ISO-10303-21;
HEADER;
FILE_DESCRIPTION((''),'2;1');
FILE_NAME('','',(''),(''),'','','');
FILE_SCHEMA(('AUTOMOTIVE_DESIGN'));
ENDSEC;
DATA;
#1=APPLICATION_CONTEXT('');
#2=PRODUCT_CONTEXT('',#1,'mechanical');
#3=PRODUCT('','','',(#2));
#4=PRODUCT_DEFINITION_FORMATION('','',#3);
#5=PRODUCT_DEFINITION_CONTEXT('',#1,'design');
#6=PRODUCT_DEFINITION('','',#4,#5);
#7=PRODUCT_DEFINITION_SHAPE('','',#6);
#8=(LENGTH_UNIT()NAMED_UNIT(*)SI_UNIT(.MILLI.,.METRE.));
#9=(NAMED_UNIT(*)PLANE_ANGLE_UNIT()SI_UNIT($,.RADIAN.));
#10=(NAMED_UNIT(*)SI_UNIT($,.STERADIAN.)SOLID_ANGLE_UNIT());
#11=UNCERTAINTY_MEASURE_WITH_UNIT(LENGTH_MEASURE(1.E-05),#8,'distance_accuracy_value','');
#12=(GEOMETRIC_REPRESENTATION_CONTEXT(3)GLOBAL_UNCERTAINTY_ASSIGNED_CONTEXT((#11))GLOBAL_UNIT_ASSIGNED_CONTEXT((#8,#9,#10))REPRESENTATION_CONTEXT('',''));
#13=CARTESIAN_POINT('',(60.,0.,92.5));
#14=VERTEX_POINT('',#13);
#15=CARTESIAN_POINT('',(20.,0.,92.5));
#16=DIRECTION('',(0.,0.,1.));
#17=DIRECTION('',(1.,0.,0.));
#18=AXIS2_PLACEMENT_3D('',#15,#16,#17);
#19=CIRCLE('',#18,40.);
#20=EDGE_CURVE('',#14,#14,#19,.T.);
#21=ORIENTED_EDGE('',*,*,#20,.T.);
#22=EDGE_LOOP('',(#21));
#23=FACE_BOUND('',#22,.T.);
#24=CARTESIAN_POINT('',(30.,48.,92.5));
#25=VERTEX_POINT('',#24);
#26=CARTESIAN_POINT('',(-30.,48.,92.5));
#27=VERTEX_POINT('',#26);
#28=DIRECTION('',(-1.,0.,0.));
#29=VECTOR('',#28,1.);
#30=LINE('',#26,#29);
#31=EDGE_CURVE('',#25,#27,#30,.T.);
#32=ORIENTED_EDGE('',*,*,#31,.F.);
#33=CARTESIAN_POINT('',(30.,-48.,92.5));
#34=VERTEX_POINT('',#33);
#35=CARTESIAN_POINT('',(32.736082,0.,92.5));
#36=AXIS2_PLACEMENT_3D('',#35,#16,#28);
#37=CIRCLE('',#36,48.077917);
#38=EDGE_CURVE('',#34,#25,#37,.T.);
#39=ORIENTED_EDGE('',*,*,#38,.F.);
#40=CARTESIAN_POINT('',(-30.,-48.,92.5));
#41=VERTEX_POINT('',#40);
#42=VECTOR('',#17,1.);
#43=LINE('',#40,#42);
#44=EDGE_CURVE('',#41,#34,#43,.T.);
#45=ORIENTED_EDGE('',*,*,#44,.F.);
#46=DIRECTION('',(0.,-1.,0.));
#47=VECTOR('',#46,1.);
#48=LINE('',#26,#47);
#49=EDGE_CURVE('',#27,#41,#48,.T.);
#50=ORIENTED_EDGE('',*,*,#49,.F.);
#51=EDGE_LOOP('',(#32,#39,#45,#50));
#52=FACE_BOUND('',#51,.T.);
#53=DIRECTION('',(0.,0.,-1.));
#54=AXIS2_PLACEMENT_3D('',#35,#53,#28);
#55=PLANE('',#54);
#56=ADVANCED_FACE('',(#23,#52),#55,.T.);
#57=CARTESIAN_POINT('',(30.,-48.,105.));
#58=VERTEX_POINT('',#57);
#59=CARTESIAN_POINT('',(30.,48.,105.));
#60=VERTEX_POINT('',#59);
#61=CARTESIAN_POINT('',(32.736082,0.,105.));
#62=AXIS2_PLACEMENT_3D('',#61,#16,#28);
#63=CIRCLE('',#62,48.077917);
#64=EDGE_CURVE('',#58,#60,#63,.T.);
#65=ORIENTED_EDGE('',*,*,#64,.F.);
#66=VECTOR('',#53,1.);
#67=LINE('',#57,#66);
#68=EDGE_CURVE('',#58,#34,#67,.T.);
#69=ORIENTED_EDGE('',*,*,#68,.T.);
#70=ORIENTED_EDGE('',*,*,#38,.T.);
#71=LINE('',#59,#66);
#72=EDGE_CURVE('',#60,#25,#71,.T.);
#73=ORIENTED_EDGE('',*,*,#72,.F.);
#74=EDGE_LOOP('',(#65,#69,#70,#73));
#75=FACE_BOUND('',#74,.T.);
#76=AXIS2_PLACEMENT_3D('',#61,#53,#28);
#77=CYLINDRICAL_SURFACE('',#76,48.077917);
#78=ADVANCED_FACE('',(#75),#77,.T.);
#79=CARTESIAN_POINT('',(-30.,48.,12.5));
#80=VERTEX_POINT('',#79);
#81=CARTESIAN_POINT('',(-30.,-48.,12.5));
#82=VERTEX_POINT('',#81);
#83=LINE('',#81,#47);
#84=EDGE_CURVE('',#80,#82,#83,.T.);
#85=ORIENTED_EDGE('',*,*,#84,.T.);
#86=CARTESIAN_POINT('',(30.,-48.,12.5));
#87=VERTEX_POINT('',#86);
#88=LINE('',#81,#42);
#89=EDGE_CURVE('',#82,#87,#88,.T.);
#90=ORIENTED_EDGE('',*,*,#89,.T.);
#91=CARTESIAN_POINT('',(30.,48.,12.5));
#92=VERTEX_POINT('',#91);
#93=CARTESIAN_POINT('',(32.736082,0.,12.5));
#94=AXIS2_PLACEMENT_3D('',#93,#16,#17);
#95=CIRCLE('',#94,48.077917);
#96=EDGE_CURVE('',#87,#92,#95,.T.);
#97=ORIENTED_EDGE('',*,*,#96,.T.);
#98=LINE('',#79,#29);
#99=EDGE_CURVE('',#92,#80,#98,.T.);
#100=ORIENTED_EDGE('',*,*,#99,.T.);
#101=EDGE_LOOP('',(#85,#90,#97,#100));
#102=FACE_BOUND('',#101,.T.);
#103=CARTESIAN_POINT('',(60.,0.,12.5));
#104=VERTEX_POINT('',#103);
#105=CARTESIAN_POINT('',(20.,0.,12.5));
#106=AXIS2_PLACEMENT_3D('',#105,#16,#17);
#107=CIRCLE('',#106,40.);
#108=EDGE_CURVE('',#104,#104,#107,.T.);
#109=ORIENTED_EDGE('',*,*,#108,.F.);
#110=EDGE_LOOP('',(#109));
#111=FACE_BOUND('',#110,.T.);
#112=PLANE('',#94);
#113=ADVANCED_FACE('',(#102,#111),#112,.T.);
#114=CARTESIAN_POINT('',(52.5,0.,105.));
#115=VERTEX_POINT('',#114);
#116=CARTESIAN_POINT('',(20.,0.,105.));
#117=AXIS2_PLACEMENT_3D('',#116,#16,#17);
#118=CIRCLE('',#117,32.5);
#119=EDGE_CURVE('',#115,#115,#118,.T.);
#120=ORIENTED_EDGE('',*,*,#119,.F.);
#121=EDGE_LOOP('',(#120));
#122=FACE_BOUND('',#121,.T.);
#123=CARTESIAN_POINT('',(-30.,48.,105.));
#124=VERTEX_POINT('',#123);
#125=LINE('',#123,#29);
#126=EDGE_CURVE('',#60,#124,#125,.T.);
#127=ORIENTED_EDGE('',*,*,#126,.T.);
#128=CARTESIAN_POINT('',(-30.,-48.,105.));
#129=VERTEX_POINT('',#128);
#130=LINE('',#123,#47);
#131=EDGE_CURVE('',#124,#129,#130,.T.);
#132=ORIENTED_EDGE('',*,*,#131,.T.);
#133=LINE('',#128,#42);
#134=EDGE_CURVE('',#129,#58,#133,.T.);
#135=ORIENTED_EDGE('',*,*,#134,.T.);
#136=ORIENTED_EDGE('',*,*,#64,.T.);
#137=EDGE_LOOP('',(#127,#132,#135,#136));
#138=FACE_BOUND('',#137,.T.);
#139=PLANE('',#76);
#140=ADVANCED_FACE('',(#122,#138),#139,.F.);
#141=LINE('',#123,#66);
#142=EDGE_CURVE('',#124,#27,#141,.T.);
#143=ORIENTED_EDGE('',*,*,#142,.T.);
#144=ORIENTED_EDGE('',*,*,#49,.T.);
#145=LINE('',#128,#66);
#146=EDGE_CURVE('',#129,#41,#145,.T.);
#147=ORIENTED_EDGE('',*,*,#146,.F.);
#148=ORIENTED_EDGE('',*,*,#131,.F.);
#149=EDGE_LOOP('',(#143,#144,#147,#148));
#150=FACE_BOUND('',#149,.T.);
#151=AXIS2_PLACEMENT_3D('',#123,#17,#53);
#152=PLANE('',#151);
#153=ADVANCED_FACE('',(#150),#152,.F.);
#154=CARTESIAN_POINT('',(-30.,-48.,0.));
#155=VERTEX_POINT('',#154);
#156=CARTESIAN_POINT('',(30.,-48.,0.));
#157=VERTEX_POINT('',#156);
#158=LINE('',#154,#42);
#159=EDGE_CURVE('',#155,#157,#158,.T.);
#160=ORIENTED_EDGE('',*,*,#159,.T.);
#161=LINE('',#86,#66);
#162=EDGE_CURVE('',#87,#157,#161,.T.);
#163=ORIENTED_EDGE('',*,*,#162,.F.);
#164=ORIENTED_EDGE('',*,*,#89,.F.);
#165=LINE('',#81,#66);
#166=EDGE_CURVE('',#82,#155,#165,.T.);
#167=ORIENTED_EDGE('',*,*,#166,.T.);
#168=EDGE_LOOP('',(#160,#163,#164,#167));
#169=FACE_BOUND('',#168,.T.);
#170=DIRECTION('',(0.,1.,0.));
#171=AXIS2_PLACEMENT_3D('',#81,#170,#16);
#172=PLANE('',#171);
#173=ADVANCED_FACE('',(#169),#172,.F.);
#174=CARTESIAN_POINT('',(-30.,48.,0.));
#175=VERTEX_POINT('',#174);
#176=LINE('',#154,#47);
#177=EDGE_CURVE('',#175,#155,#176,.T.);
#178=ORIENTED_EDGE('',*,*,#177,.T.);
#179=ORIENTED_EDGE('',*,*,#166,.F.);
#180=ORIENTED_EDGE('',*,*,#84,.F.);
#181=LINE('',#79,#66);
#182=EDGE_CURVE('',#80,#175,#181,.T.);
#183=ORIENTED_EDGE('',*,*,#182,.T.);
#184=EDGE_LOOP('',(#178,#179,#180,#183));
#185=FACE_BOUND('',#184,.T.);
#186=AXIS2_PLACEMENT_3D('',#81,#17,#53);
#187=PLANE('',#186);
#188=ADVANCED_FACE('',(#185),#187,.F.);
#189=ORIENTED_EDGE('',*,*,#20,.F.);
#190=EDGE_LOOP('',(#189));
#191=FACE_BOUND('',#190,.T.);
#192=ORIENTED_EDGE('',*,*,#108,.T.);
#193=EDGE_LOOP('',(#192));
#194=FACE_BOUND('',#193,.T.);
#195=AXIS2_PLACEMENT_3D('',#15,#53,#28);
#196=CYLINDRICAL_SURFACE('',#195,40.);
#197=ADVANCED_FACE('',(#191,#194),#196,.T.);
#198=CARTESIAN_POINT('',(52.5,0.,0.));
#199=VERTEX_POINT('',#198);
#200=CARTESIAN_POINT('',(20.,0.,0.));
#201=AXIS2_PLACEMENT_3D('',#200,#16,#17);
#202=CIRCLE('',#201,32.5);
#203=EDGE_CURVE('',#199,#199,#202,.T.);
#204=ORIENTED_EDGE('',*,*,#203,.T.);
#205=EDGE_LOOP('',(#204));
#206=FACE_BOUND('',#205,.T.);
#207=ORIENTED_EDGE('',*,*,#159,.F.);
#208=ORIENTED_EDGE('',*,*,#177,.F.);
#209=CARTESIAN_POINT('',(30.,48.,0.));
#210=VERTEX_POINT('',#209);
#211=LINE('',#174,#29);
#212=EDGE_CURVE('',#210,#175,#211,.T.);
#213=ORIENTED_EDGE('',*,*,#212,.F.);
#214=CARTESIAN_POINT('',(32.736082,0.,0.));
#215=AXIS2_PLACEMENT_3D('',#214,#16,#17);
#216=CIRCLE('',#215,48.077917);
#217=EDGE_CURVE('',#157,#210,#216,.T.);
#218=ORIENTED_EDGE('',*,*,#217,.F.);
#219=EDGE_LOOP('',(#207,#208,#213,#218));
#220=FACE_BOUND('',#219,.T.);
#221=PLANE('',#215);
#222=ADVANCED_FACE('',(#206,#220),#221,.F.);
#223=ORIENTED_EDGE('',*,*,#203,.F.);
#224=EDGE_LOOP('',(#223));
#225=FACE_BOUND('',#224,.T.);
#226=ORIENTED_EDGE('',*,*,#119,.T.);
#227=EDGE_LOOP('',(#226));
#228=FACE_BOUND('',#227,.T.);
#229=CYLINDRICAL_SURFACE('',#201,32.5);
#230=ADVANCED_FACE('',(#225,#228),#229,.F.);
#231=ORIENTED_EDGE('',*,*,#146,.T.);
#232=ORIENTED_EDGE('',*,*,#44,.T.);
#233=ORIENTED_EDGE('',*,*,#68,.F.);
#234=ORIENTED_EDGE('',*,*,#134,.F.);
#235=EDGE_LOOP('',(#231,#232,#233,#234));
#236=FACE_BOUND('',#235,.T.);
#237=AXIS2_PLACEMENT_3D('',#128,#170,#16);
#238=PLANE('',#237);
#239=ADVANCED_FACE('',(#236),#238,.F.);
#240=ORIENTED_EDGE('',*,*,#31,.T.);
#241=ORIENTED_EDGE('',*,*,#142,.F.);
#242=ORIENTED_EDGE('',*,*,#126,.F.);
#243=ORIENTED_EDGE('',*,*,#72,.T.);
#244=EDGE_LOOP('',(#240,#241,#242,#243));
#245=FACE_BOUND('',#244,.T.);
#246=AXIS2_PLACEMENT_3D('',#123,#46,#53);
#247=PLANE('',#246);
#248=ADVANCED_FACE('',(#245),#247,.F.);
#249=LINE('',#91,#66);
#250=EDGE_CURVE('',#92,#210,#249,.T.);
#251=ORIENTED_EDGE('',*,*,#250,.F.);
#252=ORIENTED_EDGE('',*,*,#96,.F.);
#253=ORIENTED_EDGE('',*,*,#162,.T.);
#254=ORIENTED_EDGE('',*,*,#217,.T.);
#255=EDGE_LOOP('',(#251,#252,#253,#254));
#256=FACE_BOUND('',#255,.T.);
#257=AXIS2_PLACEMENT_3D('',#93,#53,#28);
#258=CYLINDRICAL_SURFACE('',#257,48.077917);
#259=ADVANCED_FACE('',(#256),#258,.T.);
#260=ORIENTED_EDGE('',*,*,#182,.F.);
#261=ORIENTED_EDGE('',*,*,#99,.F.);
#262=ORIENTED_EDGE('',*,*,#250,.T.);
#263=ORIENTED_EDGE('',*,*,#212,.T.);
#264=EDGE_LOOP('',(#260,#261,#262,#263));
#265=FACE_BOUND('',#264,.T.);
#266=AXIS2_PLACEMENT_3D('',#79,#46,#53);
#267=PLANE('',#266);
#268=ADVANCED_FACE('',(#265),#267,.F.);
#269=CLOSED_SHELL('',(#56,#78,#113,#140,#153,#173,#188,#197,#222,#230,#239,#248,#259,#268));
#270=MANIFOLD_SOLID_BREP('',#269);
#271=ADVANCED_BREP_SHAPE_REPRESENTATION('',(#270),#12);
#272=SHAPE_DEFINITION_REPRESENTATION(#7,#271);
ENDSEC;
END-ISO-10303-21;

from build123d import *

# Parameters (mm, degrees)
BOSS_EXTRUDE1_DEPTH     = 12.5
SKETCH2_R               = 40
BOSS_EXTRUDE2_DEPTH     = 80
BOSS_EXTRUDE3_DEPTH     = 12.5
CUT_EXTRUDE2_DEPTH      = 132.903899543
CUT_EXTRUDE2_DEPTH_BACK = 132.903899543
SKETCH6_R               = 32.5


with BuildPart() as part:
    # Sketch1 → Boss-Extrude1 (new body)
    with BuildSketch(Plane.XY):
        with BuildLine():
            Line((-30, -48), (30, -48))
            ThreePointArc((30, -48), (80.813999827, 0), (30, 48))
            Line((30, 48), (-30, 48))
            Line((-30, 48), (-30, -48))
        make_face()
    extrude(amount=BOSS_EXTRUDE1_DEPTH)

    # Sketch2 → Boss-Extrude2 (add)
    with BuildSketch(Plane.XY.offset(12.5)):
        with Locations((20, 0)):
            Circle(SKETCH2_R)
    extrude(amount=BOSS_EXTRUDE2_DEPTH)

    # Sketch3 → Boss-Extrude3 (add)
    with BuildSketch(Plane.XY.offset(92.5)):
        with BuildLine():
            Line((-30, 48), (-30, -48))
            Line((-30, -48), (30, -48))
            ThreePointArc((30, -48), (80.813999827, 0), (30, 48))
            Line((30, 48), (-30, 48))
        make_face()
    extrude(amount=BOSS_EXTRUDE3_DEPTH)

    # Sketch6 → Cut-Extrude2 (cut, two sides: drawn at the far end of the back side and taken through both)
    with BuildSketch(Plane.XY.offset(12.5).offset(-CUT_EXTRUDE2_DEPTH_BACK)):
        with Locations((20, 0)):
            Circle(SKETCH6_R)
    extrude(amount=CUT_EXTRUDE2_DEPTH + CUT_EXTRUDE2_DEPTH_BACK, mode=Mode.SUBTRACT)


solid = part.part
